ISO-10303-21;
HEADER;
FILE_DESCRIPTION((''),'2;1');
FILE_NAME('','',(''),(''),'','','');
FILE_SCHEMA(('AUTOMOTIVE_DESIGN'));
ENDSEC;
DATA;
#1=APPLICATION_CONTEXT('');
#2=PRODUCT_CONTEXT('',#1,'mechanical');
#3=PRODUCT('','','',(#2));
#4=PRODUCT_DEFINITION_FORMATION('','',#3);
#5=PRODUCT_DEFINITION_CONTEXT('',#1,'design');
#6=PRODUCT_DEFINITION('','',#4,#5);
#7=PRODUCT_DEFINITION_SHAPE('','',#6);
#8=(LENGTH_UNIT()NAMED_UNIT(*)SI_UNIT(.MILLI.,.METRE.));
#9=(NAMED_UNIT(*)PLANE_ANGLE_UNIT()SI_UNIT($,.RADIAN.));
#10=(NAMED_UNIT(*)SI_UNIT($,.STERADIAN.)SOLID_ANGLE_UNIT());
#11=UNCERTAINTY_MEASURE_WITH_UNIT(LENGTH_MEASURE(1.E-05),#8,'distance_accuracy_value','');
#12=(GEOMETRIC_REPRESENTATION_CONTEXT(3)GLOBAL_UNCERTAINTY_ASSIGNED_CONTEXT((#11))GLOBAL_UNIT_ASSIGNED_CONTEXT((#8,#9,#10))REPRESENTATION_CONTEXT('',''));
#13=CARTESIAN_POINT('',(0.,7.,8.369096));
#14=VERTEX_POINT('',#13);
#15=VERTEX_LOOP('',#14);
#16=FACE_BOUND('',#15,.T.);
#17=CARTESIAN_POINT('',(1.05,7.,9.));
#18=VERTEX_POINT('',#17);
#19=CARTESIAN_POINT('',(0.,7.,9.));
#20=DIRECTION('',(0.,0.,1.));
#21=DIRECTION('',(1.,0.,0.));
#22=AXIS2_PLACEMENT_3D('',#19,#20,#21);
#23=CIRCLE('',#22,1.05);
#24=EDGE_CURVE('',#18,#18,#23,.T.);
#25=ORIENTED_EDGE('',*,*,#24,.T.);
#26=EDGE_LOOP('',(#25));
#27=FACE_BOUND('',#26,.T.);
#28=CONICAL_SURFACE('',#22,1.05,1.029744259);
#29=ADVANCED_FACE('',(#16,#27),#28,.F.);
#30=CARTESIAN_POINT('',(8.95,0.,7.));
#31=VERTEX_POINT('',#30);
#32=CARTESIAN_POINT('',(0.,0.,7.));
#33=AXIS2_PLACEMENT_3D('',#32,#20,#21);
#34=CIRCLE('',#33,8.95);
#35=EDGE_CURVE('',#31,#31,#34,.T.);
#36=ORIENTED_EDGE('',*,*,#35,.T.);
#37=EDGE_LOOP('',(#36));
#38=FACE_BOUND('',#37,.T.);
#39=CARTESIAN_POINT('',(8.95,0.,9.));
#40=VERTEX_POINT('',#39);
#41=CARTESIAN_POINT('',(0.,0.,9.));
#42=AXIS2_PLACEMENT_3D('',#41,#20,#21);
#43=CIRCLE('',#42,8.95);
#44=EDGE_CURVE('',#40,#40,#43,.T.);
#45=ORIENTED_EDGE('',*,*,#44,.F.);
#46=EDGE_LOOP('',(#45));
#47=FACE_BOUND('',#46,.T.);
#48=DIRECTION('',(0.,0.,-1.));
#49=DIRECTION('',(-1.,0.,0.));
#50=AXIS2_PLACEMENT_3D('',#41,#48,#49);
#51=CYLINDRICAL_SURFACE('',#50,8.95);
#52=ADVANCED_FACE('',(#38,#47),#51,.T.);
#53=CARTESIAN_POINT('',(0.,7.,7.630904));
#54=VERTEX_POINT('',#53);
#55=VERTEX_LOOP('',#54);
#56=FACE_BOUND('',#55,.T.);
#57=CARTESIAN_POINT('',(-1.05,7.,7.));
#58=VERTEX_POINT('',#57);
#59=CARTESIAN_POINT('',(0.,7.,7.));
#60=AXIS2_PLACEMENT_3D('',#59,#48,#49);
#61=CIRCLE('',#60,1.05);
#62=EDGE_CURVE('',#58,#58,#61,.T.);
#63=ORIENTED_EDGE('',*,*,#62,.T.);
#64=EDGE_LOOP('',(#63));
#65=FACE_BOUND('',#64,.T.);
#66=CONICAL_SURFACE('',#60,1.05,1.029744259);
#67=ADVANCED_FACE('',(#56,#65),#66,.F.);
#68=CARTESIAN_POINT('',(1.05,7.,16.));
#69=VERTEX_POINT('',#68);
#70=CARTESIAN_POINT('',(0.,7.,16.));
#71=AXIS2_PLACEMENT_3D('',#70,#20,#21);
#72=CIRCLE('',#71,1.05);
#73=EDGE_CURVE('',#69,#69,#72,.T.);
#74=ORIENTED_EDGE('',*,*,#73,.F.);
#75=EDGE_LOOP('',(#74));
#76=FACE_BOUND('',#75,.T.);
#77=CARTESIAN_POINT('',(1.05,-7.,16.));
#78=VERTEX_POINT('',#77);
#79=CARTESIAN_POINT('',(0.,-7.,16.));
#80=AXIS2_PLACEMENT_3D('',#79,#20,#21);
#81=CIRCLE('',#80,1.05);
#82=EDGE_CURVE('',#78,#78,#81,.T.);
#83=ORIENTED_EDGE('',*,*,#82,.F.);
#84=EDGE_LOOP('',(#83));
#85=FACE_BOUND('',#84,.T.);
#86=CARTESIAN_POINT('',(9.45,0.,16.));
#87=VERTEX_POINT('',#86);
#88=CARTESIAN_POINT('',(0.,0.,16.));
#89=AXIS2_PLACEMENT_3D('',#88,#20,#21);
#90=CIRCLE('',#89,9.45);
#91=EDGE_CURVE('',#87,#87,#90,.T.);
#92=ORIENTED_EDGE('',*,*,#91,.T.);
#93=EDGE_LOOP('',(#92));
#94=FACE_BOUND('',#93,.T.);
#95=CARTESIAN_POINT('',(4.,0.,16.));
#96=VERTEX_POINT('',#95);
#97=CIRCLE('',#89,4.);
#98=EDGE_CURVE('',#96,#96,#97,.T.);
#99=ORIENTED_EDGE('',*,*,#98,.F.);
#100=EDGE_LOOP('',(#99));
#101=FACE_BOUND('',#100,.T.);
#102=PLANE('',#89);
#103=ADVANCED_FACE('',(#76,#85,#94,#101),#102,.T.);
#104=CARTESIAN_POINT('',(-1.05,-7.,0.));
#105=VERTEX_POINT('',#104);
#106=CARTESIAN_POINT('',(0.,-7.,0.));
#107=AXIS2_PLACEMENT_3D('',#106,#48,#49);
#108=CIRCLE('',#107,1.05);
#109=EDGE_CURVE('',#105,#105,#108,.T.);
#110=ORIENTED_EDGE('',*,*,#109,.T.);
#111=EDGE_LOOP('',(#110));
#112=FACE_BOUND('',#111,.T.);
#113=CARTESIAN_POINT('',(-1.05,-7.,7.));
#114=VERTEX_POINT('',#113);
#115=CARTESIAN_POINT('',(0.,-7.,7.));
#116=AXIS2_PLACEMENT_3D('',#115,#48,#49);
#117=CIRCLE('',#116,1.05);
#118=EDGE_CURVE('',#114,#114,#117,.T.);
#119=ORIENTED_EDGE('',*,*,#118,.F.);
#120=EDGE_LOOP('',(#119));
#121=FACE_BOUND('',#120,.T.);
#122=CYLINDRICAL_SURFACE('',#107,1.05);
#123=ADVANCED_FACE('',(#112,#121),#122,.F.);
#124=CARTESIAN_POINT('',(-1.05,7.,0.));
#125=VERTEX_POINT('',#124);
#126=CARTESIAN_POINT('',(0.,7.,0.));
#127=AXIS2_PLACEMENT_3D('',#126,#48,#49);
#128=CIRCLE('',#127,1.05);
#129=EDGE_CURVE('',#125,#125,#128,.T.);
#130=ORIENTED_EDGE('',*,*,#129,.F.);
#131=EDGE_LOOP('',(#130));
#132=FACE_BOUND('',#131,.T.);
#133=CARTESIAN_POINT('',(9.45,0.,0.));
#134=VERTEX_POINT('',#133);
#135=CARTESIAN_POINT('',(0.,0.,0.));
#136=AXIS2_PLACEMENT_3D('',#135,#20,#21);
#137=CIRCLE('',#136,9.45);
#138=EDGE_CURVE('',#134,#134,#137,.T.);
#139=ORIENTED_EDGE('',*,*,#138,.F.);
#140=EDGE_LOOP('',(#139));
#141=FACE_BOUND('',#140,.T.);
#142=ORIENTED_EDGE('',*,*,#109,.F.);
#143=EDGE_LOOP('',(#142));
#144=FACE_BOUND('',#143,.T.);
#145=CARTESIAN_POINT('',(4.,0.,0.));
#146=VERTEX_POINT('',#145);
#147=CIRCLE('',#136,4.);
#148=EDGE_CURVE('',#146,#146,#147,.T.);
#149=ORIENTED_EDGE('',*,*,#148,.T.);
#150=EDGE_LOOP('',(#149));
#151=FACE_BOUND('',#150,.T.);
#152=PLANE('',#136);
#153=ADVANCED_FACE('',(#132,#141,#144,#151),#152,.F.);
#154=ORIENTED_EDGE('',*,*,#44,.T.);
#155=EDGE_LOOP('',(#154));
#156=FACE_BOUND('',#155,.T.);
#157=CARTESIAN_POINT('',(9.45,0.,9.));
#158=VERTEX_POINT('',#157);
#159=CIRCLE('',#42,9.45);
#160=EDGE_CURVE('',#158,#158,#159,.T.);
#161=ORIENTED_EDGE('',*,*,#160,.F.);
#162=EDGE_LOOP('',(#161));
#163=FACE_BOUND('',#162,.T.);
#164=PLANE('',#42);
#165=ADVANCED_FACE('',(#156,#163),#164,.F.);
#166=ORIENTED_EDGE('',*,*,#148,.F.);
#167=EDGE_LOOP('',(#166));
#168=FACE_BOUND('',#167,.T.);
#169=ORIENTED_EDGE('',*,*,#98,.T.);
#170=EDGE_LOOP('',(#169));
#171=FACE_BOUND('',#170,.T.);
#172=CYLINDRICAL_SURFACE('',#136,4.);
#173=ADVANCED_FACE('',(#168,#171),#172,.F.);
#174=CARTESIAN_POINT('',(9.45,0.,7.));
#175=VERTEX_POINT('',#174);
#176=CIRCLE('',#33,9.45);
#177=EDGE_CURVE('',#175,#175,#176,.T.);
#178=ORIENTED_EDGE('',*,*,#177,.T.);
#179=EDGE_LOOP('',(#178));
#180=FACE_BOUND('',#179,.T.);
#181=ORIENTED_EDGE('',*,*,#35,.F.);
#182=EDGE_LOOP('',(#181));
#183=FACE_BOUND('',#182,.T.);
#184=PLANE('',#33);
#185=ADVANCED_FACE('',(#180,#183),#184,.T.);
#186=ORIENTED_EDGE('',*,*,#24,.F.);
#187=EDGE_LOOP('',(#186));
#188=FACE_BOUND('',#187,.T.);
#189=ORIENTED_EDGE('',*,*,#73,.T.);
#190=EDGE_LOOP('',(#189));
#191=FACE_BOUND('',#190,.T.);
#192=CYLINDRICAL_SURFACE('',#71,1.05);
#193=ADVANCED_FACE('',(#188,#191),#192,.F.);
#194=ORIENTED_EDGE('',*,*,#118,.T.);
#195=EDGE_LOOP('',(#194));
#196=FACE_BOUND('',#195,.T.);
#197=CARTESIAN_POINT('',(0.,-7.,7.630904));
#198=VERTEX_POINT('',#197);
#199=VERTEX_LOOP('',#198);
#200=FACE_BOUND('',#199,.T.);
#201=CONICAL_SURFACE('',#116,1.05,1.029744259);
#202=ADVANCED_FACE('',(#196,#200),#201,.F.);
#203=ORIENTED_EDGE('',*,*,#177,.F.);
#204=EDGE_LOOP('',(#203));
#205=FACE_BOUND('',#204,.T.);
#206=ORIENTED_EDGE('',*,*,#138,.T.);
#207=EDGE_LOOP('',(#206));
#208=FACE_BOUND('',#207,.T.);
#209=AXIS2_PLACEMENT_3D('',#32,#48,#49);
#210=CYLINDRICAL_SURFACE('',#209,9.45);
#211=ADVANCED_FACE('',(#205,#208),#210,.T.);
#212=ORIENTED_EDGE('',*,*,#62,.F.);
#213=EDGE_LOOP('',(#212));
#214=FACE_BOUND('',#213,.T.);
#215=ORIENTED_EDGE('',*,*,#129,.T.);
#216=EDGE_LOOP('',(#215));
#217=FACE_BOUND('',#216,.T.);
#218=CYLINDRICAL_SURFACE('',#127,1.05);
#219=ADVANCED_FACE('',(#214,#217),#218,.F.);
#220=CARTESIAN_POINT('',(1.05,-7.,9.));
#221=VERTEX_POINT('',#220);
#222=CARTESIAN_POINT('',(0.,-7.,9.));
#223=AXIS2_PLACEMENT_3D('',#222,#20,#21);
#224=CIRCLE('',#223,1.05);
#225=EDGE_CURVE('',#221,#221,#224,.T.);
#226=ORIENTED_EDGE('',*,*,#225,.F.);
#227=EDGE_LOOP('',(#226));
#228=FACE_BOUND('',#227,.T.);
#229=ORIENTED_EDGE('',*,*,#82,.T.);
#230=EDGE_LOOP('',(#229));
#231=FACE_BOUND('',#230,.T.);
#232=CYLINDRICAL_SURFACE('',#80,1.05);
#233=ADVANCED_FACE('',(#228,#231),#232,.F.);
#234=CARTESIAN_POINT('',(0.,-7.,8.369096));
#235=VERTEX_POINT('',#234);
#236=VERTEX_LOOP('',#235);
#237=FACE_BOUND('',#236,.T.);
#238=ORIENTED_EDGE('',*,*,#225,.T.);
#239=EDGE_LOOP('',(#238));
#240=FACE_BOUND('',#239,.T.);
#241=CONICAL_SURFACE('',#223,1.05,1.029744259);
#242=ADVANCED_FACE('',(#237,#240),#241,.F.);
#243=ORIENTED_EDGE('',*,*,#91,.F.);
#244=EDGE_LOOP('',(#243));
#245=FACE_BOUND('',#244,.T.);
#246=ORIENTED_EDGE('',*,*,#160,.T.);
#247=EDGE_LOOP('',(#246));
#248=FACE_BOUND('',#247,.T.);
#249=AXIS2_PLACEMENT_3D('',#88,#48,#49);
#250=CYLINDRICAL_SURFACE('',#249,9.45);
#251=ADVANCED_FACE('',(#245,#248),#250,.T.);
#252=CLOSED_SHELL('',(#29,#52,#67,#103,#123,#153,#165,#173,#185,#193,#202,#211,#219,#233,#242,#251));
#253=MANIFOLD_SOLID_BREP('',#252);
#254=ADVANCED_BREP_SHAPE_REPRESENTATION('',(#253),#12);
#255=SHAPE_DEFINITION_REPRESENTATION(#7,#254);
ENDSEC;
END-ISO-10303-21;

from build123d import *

# Parameters (mm, degrees)
SKETCH1_R                    = 9.45
BOSS_EXTRUDE1_DEPTH          = 7
SKETCH2_R                    = 8.95
BOSS_EXTRUDE2_DEPTH          = 2
SKETCH3_R                    = 9.45
BOSS_EXTRUDE3_DEPTH          = 7
SKETCH4_R                    = 4
CUT_EXTRUDE1_DEPTH           = 21.847182064
M2_5X0_45_TAPPED_HOLE1_D     = 2.1
M2_5X0_45_TAPPED_HOLE1_DEPTH = 7
M2_5X0_45_TAPPED_HOLE1_TIP   = 0.63090365
M2_5X0_45_TAPPED_HOLE2_D     = 2.1
M2_5X0_45_TAPPED_HOLE2_DEPTH = 7
M2_5X0_45_TAPPED_HOLE2_TIP   = 0.63090365


with BuildPart() as part:
    # Sketch1 → Boss-Extrude1 (new body)
    with BuildSketch(Plane.XY):
        Circle(SKETCH1_R)
    extrude(amount=BOSS_EXTRUDE1_DEPTH)

    # Sketch2 → Boss-Extrude2 (add)
    with BuildSketch(Plane.XY.offset(7)):
        Circle(SKETCH2_R)
    extrude(amount=BOSS_EXTRUDE2_DEPTH)

    # Sketch3 → Boss-Extrude3 (add)
    with BuildSketch(Plane.XY.offset(9)):
        Circle(SKETCH3_R)
    extrude(amount=BOSS_EXTRUDE3_DEPTH)

    # Sketch4 → Cut-Extrude1 (cut, through all)
    with BuildSketch(Plane.XY.offset(16)):
        Circle(SKETCH4_R)
    extrude(amount=-CUT_EXTRUDE1_DEPTH, mode=Mode.SUBTRACT)

    # M2.5x0.45 Tapped Hole1
    with Locations(Plane.XY.offset(16)):
        with Locations((0, -7), (0, 7)):
            Hole(M2_5X0_45_TAPPED_HOLE1_D / 2, depth=M2_5X0_45_TAPPED_HOLE1_DEPTH)
            with Locations((0, 0, -(M2_5X0_45_TAPPED_HOLE1_DEPTH + M2_5X0_45_TAPPED_HOLE1_TIP / 2))):  # 118° drill point
                Cone(0, M2_5X0_45_TAPPED_HOLE1_D / 2, M2_5X0_45_TAPPED_HOLE1_TIP, mode=Mode.SUBTRACT)

    # M2.5x0.45 Tapped Hole2
    with Locations(Plane(origin=(0, 0, 0), x_dir=(-1, 0, 0), z_dir=(0, 0, -1))):
        with Locations((0, 7), (0, -7)):
            Hole(M2_5X0_45_TAPPED_HOLE2_D / 2, depth=M2_5X0_45_TAPPED_HOLE2_DEPTH)
            with Locations((0, 0, -(M2_5X0_45_TAPPED_HOLE2_DEPTH + M2_5X0_45_TAPPED_HOLE2_TIP / 2))):  # 118° drill point
                Cone(0, M2_5X0_45_TAPPED_HOLE2_D / 2, M2_5X0_45_TAPPED_HOLE2_TIP, mode=Mode.SUBTRACT)


solid = part.part
